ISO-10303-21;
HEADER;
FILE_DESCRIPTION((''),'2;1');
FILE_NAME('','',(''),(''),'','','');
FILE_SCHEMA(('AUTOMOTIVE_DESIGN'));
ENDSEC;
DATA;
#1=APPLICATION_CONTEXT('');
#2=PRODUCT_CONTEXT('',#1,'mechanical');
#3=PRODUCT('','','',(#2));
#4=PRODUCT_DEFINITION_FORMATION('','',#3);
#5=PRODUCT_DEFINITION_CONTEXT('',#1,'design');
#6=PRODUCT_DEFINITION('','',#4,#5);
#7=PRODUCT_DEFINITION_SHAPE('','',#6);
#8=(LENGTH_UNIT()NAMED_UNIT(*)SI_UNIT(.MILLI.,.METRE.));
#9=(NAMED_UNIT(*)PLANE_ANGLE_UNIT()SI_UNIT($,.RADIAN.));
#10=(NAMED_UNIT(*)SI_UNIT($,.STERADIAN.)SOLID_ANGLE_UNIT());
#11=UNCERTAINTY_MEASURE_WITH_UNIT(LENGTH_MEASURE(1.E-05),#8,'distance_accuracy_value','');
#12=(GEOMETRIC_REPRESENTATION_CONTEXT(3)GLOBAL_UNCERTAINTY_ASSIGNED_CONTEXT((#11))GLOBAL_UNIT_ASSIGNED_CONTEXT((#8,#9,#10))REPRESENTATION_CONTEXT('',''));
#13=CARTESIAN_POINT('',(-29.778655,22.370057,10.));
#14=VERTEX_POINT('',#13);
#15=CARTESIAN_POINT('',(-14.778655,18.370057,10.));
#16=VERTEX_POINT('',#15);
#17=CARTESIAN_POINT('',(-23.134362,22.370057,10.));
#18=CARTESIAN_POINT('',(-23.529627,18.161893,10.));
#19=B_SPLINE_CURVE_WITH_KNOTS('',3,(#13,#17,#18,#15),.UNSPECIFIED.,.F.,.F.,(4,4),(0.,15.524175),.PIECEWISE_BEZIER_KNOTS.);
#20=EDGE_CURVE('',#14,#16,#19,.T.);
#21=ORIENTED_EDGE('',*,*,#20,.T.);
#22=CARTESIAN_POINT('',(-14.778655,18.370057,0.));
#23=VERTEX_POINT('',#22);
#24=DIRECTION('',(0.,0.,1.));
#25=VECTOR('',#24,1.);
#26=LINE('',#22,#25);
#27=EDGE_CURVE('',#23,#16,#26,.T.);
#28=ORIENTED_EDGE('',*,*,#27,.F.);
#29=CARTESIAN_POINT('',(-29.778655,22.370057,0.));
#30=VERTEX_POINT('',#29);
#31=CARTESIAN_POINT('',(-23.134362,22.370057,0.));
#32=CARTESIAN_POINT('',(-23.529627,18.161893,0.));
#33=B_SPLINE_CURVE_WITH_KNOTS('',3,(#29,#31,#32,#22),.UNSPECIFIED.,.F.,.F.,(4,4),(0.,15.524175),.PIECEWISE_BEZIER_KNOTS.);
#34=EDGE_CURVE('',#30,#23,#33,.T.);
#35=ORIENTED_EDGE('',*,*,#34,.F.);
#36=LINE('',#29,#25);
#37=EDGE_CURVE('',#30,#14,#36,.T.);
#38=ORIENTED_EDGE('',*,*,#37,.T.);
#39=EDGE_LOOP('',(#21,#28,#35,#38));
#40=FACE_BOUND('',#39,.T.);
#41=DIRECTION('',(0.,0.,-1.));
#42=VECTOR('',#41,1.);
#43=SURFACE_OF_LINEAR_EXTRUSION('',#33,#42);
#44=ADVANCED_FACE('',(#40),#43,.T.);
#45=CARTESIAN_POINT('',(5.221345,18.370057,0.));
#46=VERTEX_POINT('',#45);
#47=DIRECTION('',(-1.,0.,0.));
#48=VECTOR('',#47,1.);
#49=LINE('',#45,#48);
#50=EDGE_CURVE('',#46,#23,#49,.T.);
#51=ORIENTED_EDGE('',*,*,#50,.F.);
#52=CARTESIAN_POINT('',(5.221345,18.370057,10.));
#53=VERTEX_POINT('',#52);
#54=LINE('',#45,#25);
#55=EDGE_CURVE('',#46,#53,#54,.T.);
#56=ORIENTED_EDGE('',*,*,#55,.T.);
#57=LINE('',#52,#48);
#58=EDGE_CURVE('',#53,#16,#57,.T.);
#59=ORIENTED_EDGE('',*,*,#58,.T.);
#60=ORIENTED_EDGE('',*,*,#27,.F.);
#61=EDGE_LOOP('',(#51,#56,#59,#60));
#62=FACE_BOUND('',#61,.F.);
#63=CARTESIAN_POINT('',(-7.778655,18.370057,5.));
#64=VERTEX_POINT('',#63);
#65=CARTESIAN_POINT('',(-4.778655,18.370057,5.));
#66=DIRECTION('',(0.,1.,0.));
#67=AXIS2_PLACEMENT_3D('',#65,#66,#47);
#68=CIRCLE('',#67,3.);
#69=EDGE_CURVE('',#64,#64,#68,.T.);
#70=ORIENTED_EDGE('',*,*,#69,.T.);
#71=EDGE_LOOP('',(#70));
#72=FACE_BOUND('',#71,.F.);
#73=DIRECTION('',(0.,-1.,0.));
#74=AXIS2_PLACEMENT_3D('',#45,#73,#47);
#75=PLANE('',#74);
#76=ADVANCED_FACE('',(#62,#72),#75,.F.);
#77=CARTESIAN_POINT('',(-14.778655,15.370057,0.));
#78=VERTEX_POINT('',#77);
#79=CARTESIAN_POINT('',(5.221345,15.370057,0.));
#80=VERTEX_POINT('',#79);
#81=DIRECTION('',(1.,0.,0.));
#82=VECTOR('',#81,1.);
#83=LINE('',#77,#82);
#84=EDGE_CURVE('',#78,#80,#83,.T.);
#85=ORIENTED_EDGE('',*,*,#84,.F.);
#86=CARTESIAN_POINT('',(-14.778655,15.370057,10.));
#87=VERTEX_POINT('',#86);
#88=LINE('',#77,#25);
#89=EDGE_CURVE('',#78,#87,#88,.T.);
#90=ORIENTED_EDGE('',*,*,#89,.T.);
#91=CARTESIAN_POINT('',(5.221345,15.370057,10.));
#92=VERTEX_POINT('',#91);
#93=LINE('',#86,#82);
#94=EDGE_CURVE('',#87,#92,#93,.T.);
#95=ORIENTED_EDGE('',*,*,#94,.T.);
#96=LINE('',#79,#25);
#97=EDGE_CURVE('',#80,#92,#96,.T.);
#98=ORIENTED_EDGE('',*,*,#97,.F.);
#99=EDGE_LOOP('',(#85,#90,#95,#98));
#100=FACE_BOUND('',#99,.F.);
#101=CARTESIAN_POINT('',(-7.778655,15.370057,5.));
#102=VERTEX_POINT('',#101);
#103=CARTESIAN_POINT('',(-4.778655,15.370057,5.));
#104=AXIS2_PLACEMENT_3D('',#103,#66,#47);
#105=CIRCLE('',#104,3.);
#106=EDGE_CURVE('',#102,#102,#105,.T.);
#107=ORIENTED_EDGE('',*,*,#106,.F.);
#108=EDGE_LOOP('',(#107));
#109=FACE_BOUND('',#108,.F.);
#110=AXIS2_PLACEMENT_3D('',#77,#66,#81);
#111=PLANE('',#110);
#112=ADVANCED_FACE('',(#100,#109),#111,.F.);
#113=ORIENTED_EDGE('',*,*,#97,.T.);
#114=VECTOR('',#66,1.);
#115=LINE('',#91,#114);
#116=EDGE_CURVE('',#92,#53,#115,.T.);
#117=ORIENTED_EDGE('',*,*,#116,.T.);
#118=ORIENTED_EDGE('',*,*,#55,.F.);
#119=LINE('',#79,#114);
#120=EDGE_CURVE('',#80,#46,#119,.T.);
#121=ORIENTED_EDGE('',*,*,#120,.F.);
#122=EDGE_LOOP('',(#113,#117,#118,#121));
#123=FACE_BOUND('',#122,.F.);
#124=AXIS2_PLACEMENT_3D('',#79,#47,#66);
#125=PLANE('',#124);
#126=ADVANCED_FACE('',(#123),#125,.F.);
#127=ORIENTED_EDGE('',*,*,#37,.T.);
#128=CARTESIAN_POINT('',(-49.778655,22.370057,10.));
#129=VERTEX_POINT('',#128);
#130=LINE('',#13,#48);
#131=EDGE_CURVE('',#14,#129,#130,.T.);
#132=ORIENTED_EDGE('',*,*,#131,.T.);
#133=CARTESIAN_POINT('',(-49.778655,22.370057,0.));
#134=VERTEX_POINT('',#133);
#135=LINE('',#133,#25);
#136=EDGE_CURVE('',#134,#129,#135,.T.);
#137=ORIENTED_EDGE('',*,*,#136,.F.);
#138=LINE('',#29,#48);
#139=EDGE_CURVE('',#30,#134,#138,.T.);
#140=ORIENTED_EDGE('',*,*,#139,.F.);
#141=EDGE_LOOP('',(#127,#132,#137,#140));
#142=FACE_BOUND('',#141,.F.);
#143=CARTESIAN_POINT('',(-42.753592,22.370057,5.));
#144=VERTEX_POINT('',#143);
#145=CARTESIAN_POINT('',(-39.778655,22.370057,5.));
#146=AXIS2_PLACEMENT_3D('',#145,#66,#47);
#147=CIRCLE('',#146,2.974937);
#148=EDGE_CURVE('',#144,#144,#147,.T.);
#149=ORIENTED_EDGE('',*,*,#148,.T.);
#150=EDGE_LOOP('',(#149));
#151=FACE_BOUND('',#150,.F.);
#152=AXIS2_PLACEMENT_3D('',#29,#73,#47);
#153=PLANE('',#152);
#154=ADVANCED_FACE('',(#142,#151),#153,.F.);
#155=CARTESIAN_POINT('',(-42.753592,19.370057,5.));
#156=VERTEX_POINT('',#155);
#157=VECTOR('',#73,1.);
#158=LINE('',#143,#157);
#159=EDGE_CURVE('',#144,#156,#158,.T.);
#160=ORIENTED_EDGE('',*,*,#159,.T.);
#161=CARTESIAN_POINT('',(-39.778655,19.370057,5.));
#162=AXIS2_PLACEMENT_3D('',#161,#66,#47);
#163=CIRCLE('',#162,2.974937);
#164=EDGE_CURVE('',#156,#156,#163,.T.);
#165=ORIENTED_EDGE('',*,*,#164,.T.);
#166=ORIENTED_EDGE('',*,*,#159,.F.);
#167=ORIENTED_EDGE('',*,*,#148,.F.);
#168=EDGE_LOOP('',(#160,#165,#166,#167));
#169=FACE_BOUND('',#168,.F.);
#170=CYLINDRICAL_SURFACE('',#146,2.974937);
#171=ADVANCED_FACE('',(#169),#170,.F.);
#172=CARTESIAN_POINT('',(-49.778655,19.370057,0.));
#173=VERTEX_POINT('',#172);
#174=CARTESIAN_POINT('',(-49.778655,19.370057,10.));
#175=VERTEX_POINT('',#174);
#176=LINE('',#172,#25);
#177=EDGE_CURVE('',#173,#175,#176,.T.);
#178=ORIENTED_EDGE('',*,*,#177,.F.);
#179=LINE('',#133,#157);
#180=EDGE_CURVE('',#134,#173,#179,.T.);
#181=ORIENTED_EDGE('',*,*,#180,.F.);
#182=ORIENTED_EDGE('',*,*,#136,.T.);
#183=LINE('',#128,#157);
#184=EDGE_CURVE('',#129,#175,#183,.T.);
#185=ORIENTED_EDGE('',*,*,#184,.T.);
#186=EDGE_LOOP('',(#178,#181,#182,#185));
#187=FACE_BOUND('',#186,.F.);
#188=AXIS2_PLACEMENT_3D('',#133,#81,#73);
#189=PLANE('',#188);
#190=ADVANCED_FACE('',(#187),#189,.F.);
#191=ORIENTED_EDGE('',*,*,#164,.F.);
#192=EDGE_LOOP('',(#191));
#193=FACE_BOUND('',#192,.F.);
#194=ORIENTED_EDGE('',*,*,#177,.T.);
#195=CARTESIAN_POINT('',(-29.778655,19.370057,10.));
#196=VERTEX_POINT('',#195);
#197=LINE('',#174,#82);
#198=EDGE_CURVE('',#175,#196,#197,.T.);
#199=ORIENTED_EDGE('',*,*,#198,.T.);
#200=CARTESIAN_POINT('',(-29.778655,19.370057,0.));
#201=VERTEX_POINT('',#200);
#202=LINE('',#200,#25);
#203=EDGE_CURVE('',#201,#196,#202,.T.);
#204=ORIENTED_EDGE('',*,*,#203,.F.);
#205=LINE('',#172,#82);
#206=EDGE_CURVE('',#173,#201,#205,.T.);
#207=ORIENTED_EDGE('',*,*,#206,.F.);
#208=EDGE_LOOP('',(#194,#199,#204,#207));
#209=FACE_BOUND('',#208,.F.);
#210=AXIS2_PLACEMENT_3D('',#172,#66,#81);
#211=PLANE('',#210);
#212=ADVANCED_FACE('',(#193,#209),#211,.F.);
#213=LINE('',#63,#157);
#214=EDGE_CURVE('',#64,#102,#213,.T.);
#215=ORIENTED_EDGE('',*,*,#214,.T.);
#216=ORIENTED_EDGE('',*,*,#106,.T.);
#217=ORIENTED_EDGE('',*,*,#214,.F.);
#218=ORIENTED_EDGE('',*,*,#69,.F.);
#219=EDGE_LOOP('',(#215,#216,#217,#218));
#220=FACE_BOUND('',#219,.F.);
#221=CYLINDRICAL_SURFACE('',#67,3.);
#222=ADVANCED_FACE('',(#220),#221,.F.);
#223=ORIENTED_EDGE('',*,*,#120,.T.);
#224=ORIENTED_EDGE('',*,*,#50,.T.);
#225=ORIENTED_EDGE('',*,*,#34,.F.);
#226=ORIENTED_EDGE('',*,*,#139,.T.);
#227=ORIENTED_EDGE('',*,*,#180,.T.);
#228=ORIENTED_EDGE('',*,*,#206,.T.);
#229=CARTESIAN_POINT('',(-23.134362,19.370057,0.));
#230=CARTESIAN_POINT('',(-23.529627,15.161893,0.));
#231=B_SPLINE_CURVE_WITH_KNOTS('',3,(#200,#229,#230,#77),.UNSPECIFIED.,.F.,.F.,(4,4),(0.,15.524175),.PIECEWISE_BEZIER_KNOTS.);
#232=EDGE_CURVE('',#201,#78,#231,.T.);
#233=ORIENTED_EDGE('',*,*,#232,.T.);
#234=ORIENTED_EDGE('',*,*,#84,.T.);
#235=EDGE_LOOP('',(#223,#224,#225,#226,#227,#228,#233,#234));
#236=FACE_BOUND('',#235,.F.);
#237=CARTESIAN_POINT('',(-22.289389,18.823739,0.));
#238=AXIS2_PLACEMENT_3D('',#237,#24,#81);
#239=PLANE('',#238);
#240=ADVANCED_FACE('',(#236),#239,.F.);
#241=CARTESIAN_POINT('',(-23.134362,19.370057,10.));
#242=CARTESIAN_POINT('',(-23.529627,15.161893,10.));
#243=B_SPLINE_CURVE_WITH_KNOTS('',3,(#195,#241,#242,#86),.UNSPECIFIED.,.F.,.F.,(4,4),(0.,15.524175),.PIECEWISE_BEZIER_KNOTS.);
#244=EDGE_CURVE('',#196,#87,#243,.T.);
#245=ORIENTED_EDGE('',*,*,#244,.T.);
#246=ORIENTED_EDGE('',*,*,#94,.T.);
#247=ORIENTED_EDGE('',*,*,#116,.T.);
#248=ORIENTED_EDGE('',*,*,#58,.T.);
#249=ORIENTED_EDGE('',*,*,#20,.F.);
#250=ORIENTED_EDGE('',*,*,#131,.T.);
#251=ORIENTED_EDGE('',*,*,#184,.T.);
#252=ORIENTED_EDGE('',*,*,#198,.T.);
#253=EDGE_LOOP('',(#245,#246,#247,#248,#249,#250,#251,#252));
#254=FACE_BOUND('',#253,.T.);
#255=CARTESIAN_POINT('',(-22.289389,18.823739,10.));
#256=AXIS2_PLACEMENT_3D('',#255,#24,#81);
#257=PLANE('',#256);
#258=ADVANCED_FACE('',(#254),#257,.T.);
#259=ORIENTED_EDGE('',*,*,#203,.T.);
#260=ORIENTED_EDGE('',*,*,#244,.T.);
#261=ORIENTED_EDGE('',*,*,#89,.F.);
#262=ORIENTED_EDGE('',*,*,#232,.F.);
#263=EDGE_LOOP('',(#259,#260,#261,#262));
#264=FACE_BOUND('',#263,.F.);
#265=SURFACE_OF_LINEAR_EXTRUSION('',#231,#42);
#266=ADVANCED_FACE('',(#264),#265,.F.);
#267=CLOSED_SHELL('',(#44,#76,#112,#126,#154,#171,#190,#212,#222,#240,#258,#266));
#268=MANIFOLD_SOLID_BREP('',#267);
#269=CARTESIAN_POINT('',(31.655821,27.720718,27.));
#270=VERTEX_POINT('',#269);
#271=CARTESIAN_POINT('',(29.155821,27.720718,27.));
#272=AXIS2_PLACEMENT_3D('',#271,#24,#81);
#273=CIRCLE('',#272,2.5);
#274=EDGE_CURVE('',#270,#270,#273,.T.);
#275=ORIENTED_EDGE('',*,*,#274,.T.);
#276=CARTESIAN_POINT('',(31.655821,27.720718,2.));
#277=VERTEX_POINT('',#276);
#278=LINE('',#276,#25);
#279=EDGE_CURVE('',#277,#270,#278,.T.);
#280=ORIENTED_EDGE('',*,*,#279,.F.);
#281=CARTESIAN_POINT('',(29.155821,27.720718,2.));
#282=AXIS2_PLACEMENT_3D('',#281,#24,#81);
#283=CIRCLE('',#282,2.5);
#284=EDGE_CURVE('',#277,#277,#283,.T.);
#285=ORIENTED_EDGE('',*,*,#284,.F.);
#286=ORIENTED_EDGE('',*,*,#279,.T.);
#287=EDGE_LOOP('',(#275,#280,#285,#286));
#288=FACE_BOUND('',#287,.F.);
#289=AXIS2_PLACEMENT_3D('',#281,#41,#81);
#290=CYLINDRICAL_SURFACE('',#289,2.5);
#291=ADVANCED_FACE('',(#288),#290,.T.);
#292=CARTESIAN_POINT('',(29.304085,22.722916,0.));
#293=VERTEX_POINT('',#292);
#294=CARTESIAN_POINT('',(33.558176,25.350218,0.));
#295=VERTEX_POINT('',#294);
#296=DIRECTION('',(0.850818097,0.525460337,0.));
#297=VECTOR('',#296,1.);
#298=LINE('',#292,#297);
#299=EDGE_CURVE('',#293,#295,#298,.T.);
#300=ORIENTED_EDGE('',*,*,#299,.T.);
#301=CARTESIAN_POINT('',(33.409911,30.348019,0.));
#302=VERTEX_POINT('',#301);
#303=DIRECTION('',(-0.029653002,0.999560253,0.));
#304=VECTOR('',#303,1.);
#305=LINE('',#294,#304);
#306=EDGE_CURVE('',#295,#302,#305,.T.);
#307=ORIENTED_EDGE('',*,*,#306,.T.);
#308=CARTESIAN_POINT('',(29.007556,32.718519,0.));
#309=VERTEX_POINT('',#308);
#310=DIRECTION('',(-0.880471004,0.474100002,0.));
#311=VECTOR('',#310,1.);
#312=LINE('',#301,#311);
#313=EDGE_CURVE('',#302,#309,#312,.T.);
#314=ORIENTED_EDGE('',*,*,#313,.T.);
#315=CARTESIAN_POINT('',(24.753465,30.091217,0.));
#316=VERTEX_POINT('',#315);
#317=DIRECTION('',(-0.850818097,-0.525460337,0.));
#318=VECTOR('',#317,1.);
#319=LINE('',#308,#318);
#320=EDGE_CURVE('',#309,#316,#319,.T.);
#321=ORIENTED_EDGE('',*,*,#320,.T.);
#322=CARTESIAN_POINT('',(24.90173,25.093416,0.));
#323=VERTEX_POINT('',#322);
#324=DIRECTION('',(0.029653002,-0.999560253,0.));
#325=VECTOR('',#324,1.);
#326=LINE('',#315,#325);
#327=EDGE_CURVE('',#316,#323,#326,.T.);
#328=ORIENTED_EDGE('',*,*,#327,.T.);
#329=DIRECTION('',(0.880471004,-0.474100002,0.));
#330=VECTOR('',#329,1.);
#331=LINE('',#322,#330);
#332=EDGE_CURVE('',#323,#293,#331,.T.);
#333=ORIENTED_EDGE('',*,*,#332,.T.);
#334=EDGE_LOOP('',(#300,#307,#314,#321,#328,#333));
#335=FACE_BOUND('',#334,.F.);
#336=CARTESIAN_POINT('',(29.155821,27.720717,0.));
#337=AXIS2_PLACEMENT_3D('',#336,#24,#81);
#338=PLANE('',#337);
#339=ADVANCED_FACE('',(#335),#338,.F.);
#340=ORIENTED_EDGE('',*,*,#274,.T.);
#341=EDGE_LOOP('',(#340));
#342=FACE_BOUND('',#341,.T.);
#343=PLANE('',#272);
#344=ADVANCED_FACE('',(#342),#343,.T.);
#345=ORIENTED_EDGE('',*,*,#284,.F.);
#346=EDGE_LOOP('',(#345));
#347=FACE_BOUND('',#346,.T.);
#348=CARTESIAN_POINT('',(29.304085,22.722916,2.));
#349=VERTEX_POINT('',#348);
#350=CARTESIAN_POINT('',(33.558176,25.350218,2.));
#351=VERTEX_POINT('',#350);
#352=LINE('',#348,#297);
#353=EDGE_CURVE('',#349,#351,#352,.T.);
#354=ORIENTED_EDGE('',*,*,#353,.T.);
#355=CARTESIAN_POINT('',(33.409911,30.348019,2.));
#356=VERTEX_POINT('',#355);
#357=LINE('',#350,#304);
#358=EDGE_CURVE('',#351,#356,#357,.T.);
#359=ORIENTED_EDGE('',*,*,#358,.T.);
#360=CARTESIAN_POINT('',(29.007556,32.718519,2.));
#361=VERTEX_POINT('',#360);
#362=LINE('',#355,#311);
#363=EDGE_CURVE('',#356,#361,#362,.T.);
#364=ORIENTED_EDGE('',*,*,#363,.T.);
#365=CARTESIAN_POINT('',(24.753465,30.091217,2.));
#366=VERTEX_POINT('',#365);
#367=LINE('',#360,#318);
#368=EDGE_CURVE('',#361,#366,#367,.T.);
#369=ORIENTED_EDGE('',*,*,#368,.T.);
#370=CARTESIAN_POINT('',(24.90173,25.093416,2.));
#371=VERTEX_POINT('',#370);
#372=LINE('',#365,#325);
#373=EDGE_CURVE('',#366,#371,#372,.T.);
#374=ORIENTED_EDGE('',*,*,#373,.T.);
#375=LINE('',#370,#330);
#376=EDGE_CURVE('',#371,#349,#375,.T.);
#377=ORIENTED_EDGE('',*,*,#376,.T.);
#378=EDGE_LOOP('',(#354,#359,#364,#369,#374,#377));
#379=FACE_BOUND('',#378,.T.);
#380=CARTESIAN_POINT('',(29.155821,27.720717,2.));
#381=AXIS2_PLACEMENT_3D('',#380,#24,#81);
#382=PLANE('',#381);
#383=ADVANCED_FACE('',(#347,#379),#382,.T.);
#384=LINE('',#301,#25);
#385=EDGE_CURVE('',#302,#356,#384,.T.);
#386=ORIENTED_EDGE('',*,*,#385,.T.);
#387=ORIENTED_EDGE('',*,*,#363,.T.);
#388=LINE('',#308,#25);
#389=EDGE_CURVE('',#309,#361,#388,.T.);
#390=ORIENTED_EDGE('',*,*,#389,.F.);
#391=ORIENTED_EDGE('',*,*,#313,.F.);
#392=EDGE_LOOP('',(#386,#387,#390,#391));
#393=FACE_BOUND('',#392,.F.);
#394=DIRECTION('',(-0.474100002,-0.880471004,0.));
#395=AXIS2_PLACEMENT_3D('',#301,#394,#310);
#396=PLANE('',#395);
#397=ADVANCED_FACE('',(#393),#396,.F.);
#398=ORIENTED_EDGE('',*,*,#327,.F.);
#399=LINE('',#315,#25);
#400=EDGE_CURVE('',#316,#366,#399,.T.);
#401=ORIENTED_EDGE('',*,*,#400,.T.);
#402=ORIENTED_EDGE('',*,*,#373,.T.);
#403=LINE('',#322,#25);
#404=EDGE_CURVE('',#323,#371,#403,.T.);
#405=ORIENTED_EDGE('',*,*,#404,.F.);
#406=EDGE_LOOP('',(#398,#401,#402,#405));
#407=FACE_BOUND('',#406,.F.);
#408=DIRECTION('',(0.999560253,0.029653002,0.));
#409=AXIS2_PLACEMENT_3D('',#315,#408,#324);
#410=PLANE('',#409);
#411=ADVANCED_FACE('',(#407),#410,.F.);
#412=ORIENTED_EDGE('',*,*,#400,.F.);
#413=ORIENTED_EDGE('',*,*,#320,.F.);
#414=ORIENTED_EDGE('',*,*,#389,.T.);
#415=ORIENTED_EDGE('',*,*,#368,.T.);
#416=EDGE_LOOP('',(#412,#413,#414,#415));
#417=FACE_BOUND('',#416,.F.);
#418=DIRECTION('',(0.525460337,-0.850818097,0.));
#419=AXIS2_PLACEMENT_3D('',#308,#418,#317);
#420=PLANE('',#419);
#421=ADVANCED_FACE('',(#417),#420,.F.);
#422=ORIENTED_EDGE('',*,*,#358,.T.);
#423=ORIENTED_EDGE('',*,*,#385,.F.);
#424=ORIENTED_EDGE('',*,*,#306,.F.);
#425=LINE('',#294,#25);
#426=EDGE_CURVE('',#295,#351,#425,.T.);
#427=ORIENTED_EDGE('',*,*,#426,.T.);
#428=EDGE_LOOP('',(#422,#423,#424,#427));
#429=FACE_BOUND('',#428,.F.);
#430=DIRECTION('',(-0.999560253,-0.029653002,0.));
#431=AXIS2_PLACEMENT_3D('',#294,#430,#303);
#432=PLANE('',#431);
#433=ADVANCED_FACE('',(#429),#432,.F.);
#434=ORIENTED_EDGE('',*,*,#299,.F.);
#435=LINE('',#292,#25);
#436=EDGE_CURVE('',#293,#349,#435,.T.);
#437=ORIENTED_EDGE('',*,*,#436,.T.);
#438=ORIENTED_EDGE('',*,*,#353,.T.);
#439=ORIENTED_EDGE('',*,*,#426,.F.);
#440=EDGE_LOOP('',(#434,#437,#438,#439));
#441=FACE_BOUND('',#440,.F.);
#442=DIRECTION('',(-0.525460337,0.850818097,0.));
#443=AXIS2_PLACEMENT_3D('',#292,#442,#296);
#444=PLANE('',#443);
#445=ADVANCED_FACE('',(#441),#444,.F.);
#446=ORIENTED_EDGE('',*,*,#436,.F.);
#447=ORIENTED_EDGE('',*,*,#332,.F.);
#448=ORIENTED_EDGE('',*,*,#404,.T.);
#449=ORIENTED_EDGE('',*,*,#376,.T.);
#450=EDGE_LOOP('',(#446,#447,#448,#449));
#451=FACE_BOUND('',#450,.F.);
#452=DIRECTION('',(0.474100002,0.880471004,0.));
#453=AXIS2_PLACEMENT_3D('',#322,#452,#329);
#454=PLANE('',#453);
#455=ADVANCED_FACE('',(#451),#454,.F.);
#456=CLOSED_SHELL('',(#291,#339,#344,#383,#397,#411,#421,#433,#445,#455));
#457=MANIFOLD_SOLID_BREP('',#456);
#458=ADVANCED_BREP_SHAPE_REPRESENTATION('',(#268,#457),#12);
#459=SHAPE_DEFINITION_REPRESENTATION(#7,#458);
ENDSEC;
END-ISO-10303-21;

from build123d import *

# Parameters (mm, degrees)
F1_DEPTH = 10
F2_R     = 2.974937
F3_DEPTH = 3
F4_R     = 3
F5_DEPTH = 3
F7_DEPTH = 2
F8_R     = 2.5
F9_DEPTH = 25


with BuildPart() as f1:
    # F0 (on Top) → F1 (new body)
    with BuildSketch(Plane.XY):
        with BuildLine():
            Line((-29.778655, 22.370057), (-49.778655, 22.370057))
            Line((-49.778655, 22.370057), (-49.778655, 19.370057))
            Line((-49.778655, 19.370057), (-29.778655, 19.370057))
            add(Edge.make_bspline(
                [(-29.778655, 19.370057), (-23.134362, 19.370057), (-23.529627, 15.161893), (-14.778655, 15.370057)],
                knots=[0, 0, 0, 0, 15.524175, 15.524175, 15.524175, 15.524175], degree=3))
            Line((-14.778655, 15.370057), (5.221345, 15.370057))
            Line((5.221345, 15.370057), (5.221345, 18.370057))
            Line((5.221345, 18.370057), (-14.778655, 18.370057))
            add(Edge.make_bspline(
                [(-29.778655, 22.370057), (-23.134362, 22.370057), (-23.529627, 18.161893), (-14.778655, 18.370057)],
                knots=[0, 0, 0, 0, 15.524175, 15.524175, 15.524175, 15.524175], degree=3))
        make_face()
    extrude(amount=F1_DEPTH)

    # F2 (on face) → F3 (cut, through all)
    with BuildSketch(Plane(origin=(0, 22.370057, 0), x_dir=(-1, 0, 0), z_dir=(0, 1, 0))):
        with Locations((39.778655, 5)):
            Circle(F2_R)
    extrude(amount=-F3_DEPTH, mode=Mode.SUBTRACT)

    # F4 (on face) → F5 (cut, through all)
    with BuildSketch(Plane(origin=(0, 18.370057, 0), x_dir=(-1, 0, 0), z_dir=(0, 1, 0))):
        with Locations((4.778655, 5)):
            Circle(F4_R)
    extrude(amount=-F5_DEPTH, mode=Mode.SUBTRACT)


with BuildPart() as f7:
    # F6 (on Top) → F7 (new body)
    with BuildSketch(Plane.XY):
        Polygon((29.007556, 32.718519), (24.753465, 30.091217), (24.90173, 25.093416), (29.304085, 22.722916), (33.558176, 25.350218), (33.409911, 30.348019), align=None)
    extrude(amount=F7_DEPTH)

    # F8 (on face) → F9 (join)
    with BuildSketch(Plane.XY.offset(2)):
        with Locations((29.155821, 27.720718)):
            Circle(F8_R)
    extrude(amount=F9_DEPTH)


solid = Compound([f1.part, f7.part])
